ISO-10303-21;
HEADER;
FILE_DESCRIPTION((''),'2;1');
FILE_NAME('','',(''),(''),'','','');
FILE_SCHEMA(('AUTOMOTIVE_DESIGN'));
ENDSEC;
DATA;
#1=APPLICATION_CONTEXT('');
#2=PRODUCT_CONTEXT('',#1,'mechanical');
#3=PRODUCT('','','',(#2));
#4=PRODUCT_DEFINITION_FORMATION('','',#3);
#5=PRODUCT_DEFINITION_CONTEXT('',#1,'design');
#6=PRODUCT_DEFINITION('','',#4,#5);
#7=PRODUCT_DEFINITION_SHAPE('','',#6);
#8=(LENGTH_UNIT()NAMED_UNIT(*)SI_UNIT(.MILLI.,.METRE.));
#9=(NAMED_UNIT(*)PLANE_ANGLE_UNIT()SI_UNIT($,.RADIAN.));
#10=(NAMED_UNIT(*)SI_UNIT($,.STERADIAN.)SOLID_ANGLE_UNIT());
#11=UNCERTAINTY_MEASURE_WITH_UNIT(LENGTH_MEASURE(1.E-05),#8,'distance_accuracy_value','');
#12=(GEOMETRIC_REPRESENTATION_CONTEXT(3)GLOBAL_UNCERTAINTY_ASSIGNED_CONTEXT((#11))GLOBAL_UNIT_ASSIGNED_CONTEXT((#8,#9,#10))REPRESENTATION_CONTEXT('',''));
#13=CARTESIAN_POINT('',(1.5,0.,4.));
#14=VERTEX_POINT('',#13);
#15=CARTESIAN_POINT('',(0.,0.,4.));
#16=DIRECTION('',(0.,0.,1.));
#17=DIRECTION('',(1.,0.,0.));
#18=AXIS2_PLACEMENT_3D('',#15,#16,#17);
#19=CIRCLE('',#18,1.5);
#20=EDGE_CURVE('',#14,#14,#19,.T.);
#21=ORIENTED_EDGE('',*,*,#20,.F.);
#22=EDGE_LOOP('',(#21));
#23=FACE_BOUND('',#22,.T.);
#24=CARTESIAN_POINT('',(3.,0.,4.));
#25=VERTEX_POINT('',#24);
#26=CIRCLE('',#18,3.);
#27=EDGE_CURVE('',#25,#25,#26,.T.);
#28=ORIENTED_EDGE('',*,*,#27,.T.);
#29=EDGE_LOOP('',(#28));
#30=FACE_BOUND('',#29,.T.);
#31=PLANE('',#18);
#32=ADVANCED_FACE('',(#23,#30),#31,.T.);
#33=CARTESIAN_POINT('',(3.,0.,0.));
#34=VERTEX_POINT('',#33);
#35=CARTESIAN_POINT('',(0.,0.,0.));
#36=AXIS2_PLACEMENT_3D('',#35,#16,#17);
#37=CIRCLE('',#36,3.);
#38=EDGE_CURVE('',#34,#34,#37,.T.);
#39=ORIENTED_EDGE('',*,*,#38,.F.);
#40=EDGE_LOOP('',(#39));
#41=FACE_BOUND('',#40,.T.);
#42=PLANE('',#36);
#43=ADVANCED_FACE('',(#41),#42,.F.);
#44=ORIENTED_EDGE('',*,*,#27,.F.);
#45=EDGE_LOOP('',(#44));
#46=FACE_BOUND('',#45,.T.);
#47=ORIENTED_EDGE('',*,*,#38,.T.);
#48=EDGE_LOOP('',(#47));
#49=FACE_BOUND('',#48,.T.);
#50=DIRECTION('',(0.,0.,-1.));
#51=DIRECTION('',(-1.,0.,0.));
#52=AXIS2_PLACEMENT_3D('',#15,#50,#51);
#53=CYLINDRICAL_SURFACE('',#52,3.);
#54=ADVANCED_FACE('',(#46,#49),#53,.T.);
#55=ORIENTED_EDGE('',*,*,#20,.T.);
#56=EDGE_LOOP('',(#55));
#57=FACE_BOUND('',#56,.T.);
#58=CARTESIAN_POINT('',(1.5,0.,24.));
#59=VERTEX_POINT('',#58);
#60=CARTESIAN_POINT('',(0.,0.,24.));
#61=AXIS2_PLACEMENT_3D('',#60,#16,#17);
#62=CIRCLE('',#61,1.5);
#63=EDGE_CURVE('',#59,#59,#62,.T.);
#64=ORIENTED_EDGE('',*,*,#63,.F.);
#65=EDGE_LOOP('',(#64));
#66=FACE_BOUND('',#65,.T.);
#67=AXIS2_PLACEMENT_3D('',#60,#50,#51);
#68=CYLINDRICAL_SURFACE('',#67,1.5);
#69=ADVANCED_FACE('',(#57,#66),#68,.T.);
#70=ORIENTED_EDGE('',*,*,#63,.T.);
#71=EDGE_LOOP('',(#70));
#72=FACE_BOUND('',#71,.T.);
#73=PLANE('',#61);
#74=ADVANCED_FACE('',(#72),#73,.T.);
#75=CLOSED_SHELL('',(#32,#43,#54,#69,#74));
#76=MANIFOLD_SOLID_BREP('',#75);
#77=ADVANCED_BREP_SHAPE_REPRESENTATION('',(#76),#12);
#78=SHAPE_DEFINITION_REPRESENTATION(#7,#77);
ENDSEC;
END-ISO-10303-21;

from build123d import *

# Parameters (mm, degrees)
SKETCH_1_R      = 3
EXTRUDE_1_DEPTH = 4
SKETCH_2_R      = 1.5
EXTRUDE_2_DEPTH = 20


with BuildPart() as part:
    # 草图1 → 拉伸1 (new body)
    with BuildSketch(Plane.XY):
        Circle(SKETCH_1_R)
    extrude(amount=EXTRUDE_1_DEPTH)

    # 草图2 → 拉伸2 (add)
    with BuildSketch(Plane.XY.offset(4)):
        Circle(SKETCH_2_R)
    extrude(amount=EXTRUDE_2_DEPTH)


solid = part.part
